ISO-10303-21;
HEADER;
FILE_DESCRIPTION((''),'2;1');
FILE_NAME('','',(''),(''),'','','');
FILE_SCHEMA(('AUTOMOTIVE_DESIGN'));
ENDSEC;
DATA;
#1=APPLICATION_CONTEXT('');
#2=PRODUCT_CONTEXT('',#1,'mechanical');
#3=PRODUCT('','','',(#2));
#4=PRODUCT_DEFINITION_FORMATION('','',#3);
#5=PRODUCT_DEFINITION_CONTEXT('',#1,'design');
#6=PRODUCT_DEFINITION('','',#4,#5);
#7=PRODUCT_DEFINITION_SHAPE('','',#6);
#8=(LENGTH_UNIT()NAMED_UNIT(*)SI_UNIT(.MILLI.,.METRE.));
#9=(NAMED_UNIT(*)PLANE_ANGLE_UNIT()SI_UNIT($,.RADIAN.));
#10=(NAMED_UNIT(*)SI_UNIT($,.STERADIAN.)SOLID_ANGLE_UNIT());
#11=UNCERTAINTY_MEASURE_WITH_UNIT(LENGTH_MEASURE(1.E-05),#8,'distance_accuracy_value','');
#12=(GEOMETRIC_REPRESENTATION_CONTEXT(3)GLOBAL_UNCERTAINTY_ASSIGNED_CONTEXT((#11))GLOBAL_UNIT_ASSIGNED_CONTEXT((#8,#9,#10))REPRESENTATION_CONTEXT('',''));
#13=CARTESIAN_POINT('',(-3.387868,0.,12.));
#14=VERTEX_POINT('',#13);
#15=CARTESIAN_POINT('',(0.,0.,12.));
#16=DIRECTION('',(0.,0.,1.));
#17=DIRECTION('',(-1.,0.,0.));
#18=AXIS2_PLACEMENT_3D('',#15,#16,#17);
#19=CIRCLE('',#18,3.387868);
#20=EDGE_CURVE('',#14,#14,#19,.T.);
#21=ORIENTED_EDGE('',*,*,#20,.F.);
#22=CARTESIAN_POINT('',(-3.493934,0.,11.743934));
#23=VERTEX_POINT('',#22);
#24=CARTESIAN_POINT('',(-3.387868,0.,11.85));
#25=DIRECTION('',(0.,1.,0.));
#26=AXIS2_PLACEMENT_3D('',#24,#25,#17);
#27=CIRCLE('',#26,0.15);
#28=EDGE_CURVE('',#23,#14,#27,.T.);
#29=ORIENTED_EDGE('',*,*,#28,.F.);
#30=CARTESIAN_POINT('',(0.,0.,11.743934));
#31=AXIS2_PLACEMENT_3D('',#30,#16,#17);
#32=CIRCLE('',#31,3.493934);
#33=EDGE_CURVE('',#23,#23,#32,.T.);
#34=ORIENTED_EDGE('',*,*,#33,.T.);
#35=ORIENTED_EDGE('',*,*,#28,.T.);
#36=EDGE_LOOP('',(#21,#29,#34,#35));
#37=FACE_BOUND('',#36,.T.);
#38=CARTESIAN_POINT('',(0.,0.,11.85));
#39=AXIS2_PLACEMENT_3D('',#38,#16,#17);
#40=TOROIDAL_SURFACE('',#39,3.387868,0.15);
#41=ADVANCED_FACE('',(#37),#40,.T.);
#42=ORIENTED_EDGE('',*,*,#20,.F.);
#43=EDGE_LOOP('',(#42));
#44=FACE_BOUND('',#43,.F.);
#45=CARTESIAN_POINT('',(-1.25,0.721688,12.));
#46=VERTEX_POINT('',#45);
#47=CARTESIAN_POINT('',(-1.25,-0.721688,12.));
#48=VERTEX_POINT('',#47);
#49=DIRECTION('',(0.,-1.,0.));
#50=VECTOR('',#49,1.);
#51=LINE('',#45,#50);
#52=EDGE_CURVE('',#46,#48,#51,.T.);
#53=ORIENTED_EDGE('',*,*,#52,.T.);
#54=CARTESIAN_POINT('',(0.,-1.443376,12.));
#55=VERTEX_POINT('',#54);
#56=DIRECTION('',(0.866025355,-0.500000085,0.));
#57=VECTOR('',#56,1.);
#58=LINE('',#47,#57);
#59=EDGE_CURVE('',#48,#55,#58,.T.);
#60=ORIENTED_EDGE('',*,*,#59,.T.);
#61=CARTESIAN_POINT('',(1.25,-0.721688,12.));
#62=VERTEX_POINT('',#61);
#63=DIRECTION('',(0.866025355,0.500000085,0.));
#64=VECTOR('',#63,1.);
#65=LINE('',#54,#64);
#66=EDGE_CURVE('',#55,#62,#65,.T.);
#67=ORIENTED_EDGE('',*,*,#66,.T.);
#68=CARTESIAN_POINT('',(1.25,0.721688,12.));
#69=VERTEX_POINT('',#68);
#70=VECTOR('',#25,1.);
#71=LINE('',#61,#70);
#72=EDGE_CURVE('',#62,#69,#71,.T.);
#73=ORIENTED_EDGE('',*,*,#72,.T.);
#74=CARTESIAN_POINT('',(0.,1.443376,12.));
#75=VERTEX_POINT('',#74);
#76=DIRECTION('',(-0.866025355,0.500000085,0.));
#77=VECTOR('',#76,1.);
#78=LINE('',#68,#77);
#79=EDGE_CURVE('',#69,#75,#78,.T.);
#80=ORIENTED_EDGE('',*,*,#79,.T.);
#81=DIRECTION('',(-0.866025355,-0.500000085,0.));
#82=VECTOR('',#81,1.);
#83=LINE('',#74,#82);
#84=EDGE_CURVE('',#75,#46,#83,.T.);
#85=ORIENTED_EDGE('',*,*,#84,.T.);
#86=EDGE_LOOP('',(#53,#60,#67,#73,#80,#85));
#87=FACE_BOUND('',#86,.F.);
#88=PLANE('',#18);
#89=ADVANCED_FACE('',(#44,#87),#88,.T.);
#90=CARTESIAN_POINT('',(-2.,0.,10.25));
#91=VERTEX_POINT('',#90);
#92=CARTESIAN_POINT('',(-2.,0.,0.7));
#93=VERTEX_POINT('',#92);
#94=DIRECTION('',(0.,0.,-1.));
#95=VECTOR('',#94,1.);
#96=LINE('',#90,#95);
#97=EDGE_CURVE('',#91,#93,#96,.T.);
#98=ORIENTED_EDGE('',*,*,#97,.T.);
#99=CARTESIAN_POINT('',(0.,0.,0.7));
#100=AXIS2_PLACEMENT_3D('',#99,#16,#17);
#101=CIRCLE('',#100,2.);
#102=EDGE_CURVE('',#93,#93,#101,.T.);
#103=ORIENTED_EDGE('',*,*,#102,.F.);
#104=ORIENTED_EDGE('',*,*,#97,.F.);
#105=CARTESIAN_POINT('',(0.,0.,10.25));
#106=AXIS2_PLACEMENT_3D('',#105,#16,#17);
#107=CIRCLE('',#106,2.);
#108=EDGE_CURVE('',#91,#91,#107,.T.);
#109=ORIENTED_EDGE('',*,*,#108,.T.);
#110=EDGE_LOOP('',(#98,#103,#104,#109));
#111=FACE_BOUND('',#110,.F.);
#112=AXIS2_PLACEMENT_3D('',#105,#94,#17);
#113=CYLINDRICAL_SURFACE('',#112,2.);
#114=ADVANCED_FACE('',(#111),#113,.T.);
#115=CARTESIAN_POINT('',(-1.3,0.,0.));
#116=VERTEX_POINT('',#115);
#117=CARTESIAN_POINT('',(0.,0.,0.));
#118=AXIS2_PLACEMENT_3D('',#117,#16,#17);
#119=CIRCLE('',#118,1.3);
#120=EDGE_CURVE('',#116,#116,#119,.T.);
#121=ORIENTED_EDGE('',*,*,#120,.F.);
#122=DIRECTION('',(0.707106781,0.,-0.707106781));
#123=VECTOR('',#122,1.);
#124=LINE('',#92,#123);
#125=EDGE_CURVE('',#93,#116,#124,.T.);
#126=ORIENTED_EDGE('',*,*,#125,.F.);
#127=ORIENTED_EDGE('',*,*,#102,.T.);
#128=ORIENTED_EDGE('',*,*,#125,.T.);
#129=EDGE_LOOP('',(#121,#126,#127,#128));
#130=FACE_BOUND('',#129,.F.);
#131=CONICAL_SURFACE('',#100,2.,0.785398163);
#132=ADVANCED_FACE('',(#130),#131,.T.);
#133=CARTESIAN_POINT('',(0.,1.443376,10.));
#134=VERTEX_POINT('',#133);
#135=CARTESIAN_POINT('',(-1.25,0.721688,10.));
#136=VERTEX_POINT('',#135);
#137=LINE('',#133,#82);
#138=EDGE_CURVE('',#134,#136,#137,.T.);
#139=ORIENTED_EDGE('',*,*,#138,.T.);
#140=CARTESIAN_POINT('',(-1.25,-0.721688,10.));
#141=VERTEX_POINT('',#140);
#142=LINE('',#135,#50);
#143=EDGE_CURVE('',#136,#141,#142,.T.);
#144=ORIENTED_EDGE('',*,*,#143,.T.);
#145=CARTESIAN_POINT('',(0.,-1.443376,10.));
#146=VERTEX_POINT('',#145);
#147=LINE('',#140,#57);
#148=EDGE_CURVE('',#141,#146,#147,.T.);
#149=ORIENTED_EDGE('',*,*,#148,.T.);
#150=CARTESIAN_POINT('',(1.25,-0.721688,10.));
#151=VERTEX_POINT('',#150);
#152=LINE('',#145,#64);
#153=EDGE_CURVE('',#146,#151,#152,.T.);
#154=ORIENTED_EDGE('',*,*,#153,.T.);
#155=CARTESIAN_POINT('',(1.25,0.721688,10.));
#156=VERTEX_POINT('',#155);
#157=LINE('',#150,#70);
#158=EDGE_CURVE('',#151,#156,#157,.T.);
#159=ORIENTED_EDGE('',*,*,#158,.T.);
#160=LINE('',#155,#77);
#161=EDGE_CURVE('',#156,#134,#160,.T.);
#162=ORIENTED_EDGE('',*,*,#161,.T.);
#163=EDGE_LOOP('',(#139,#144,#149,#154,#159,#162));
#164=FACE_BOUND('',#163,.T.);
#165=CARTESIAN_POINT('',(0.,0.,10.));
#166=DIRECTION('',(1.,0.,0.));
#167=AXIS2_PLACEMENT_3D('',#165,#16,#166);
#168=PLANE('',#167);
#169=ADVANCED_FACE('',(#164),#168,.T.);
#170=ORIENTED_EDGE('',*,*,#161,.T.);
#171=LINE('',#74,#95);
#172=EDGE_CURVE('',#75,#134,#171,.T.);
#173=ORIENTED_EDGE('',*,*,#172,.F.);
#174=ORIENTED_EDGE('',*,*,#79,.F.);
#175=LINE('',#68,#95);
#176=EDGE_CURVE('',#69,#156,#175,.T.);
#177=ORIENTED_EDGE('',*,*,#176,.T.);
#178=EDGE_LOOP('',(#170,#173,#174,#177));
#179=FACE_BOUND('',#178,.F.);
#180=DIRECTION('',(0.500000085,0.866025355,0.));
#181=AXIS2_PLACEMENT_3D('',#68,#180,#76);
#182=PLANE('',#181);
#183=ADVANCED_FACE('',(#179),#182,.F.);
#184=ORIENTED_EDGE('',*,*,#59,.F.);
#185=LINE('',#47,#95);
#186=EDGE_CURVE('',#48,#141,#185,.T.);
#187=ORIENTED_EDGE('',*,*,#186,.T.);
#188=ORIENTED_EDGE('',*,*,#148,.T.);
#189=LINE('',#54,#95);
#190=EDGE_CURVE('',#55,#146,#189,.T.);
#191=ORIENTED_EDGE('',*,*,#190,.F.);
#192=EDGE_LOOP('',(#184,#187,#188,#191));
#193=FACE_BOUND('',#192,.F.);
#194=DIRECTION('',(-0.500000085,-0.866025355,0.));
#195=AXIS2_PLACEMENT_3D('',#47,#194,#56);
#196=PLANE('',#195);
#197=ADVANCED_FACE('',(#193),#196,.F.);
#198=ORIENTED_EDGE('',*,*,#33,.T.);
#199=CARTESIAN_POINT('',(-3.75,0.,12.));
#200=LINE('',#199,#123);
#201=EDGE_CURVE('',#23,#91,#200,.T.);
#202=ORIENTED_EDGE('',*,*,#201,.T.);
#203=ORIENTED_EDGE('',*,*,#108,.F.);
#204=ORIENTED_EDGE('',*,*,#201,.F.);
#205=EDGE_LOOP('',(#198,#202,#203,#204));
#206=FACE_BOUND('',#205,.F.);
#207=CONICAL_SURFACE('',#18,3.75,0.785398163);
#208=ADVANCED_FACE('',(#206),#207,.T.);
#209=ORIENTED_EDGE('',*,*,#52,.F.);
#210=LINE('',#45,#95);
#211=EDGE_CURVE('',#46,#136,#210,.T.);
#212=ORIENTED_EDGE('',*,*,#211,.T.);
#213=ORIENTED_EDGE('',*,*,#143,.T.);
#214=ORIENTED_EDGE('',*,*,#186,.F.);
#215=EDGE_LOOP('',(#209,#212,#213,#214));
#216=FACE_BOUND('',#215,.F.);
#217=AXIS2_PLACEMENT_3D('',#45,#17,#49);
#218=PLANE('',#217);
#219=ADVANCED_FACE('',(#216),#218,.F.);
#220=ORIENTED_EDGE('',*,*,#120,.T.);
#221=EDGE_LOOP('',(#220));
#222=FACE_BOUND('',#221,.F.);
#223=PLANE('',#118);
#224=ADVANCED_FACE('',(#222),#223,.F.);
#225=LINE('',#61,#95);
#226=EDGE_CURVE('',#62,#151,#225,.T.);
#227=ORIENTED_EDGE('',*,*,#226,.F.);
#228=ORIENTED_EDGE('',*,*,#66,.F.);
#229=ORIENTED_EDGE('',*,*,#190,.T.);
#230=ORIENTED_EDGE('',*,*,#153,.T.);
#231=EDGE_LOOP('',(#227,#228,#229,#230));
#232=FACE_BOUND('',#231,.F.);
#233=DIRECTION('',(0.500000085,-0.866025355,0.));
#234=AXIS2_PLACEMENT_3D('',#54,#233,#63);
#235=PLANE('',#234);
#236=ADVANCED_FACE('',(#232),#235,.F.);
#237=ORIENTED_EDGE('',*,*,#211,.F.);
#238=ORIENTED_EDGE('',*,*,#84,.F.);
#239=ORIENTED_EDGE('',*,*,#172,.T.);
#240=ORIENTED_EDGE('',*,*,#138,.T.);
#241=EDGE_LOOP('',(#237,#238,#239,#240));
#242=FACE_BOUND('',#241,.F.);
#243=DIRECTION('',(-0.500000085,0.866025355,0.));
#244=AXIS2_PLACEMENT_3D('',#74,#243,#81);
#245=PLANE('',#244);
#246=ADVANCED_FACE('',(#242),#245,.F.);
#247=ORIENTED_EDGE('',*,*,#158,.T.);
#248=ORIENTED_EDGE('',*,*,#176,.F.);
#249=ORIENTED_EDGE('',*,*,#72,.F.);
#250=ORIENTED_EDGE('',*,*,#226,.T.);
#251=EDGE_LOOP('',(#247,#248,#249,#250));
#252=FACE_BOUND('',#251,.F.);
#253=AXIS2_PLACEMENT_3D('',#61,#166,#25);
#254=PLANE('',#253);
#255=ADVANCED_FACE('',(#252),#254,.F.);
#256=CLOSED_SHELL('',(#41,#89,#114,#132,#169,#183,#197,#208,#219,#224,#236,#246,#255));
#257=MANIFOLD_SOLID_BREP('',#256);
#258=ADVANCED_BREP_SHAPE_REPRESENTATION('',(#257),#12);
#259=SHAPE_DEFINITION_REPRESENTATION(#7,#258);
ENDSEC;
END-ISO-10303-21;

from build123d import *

# Parameters (mm, degrees)
F2_SIZE  = 0.7
F4_DEPTH = 2
F5_R     = 0.15


with BuildPart() as f1:
    # F0 (on Front) → F1 (revolve)
    with BuildSketch(Plane.XZ):
        Polygon((-2, 10.25), (-2, 0), (0, 0), (0, 12), (-3.75, 12), align=None)
    revolve(axis=Axis((0, 0, 15.756099), (0, 0, 1)))

    # F2
    f2_edges = [f1.edges().sort_by_distance(p)[0] for p in [
        (2, 0, 0),
    ]]
    chamfer(f2_edges, length=F2_SIZE)

    # F3 (on face) → F4 (cut)
    with BuildSketch(Plane.XY.offset(12)):
        Polygon((-1.25, 0.721688), (-1.25, -0.721688), (0, -1.443376), (1.25, -0.721688), (1.25, 0.721688), (0, 1.443376), align=None)
    extrude(amount=-F4_DEPTH, mode=Mode.SUBTRACT)

    # F5
    f5_edges = [f1.edges().sort_by_distance(p)[0] for p in [
        (3.75, 0, 12),
    ]]
    fillet(f5_edges, radius=F5_R)


solid = f1.part
